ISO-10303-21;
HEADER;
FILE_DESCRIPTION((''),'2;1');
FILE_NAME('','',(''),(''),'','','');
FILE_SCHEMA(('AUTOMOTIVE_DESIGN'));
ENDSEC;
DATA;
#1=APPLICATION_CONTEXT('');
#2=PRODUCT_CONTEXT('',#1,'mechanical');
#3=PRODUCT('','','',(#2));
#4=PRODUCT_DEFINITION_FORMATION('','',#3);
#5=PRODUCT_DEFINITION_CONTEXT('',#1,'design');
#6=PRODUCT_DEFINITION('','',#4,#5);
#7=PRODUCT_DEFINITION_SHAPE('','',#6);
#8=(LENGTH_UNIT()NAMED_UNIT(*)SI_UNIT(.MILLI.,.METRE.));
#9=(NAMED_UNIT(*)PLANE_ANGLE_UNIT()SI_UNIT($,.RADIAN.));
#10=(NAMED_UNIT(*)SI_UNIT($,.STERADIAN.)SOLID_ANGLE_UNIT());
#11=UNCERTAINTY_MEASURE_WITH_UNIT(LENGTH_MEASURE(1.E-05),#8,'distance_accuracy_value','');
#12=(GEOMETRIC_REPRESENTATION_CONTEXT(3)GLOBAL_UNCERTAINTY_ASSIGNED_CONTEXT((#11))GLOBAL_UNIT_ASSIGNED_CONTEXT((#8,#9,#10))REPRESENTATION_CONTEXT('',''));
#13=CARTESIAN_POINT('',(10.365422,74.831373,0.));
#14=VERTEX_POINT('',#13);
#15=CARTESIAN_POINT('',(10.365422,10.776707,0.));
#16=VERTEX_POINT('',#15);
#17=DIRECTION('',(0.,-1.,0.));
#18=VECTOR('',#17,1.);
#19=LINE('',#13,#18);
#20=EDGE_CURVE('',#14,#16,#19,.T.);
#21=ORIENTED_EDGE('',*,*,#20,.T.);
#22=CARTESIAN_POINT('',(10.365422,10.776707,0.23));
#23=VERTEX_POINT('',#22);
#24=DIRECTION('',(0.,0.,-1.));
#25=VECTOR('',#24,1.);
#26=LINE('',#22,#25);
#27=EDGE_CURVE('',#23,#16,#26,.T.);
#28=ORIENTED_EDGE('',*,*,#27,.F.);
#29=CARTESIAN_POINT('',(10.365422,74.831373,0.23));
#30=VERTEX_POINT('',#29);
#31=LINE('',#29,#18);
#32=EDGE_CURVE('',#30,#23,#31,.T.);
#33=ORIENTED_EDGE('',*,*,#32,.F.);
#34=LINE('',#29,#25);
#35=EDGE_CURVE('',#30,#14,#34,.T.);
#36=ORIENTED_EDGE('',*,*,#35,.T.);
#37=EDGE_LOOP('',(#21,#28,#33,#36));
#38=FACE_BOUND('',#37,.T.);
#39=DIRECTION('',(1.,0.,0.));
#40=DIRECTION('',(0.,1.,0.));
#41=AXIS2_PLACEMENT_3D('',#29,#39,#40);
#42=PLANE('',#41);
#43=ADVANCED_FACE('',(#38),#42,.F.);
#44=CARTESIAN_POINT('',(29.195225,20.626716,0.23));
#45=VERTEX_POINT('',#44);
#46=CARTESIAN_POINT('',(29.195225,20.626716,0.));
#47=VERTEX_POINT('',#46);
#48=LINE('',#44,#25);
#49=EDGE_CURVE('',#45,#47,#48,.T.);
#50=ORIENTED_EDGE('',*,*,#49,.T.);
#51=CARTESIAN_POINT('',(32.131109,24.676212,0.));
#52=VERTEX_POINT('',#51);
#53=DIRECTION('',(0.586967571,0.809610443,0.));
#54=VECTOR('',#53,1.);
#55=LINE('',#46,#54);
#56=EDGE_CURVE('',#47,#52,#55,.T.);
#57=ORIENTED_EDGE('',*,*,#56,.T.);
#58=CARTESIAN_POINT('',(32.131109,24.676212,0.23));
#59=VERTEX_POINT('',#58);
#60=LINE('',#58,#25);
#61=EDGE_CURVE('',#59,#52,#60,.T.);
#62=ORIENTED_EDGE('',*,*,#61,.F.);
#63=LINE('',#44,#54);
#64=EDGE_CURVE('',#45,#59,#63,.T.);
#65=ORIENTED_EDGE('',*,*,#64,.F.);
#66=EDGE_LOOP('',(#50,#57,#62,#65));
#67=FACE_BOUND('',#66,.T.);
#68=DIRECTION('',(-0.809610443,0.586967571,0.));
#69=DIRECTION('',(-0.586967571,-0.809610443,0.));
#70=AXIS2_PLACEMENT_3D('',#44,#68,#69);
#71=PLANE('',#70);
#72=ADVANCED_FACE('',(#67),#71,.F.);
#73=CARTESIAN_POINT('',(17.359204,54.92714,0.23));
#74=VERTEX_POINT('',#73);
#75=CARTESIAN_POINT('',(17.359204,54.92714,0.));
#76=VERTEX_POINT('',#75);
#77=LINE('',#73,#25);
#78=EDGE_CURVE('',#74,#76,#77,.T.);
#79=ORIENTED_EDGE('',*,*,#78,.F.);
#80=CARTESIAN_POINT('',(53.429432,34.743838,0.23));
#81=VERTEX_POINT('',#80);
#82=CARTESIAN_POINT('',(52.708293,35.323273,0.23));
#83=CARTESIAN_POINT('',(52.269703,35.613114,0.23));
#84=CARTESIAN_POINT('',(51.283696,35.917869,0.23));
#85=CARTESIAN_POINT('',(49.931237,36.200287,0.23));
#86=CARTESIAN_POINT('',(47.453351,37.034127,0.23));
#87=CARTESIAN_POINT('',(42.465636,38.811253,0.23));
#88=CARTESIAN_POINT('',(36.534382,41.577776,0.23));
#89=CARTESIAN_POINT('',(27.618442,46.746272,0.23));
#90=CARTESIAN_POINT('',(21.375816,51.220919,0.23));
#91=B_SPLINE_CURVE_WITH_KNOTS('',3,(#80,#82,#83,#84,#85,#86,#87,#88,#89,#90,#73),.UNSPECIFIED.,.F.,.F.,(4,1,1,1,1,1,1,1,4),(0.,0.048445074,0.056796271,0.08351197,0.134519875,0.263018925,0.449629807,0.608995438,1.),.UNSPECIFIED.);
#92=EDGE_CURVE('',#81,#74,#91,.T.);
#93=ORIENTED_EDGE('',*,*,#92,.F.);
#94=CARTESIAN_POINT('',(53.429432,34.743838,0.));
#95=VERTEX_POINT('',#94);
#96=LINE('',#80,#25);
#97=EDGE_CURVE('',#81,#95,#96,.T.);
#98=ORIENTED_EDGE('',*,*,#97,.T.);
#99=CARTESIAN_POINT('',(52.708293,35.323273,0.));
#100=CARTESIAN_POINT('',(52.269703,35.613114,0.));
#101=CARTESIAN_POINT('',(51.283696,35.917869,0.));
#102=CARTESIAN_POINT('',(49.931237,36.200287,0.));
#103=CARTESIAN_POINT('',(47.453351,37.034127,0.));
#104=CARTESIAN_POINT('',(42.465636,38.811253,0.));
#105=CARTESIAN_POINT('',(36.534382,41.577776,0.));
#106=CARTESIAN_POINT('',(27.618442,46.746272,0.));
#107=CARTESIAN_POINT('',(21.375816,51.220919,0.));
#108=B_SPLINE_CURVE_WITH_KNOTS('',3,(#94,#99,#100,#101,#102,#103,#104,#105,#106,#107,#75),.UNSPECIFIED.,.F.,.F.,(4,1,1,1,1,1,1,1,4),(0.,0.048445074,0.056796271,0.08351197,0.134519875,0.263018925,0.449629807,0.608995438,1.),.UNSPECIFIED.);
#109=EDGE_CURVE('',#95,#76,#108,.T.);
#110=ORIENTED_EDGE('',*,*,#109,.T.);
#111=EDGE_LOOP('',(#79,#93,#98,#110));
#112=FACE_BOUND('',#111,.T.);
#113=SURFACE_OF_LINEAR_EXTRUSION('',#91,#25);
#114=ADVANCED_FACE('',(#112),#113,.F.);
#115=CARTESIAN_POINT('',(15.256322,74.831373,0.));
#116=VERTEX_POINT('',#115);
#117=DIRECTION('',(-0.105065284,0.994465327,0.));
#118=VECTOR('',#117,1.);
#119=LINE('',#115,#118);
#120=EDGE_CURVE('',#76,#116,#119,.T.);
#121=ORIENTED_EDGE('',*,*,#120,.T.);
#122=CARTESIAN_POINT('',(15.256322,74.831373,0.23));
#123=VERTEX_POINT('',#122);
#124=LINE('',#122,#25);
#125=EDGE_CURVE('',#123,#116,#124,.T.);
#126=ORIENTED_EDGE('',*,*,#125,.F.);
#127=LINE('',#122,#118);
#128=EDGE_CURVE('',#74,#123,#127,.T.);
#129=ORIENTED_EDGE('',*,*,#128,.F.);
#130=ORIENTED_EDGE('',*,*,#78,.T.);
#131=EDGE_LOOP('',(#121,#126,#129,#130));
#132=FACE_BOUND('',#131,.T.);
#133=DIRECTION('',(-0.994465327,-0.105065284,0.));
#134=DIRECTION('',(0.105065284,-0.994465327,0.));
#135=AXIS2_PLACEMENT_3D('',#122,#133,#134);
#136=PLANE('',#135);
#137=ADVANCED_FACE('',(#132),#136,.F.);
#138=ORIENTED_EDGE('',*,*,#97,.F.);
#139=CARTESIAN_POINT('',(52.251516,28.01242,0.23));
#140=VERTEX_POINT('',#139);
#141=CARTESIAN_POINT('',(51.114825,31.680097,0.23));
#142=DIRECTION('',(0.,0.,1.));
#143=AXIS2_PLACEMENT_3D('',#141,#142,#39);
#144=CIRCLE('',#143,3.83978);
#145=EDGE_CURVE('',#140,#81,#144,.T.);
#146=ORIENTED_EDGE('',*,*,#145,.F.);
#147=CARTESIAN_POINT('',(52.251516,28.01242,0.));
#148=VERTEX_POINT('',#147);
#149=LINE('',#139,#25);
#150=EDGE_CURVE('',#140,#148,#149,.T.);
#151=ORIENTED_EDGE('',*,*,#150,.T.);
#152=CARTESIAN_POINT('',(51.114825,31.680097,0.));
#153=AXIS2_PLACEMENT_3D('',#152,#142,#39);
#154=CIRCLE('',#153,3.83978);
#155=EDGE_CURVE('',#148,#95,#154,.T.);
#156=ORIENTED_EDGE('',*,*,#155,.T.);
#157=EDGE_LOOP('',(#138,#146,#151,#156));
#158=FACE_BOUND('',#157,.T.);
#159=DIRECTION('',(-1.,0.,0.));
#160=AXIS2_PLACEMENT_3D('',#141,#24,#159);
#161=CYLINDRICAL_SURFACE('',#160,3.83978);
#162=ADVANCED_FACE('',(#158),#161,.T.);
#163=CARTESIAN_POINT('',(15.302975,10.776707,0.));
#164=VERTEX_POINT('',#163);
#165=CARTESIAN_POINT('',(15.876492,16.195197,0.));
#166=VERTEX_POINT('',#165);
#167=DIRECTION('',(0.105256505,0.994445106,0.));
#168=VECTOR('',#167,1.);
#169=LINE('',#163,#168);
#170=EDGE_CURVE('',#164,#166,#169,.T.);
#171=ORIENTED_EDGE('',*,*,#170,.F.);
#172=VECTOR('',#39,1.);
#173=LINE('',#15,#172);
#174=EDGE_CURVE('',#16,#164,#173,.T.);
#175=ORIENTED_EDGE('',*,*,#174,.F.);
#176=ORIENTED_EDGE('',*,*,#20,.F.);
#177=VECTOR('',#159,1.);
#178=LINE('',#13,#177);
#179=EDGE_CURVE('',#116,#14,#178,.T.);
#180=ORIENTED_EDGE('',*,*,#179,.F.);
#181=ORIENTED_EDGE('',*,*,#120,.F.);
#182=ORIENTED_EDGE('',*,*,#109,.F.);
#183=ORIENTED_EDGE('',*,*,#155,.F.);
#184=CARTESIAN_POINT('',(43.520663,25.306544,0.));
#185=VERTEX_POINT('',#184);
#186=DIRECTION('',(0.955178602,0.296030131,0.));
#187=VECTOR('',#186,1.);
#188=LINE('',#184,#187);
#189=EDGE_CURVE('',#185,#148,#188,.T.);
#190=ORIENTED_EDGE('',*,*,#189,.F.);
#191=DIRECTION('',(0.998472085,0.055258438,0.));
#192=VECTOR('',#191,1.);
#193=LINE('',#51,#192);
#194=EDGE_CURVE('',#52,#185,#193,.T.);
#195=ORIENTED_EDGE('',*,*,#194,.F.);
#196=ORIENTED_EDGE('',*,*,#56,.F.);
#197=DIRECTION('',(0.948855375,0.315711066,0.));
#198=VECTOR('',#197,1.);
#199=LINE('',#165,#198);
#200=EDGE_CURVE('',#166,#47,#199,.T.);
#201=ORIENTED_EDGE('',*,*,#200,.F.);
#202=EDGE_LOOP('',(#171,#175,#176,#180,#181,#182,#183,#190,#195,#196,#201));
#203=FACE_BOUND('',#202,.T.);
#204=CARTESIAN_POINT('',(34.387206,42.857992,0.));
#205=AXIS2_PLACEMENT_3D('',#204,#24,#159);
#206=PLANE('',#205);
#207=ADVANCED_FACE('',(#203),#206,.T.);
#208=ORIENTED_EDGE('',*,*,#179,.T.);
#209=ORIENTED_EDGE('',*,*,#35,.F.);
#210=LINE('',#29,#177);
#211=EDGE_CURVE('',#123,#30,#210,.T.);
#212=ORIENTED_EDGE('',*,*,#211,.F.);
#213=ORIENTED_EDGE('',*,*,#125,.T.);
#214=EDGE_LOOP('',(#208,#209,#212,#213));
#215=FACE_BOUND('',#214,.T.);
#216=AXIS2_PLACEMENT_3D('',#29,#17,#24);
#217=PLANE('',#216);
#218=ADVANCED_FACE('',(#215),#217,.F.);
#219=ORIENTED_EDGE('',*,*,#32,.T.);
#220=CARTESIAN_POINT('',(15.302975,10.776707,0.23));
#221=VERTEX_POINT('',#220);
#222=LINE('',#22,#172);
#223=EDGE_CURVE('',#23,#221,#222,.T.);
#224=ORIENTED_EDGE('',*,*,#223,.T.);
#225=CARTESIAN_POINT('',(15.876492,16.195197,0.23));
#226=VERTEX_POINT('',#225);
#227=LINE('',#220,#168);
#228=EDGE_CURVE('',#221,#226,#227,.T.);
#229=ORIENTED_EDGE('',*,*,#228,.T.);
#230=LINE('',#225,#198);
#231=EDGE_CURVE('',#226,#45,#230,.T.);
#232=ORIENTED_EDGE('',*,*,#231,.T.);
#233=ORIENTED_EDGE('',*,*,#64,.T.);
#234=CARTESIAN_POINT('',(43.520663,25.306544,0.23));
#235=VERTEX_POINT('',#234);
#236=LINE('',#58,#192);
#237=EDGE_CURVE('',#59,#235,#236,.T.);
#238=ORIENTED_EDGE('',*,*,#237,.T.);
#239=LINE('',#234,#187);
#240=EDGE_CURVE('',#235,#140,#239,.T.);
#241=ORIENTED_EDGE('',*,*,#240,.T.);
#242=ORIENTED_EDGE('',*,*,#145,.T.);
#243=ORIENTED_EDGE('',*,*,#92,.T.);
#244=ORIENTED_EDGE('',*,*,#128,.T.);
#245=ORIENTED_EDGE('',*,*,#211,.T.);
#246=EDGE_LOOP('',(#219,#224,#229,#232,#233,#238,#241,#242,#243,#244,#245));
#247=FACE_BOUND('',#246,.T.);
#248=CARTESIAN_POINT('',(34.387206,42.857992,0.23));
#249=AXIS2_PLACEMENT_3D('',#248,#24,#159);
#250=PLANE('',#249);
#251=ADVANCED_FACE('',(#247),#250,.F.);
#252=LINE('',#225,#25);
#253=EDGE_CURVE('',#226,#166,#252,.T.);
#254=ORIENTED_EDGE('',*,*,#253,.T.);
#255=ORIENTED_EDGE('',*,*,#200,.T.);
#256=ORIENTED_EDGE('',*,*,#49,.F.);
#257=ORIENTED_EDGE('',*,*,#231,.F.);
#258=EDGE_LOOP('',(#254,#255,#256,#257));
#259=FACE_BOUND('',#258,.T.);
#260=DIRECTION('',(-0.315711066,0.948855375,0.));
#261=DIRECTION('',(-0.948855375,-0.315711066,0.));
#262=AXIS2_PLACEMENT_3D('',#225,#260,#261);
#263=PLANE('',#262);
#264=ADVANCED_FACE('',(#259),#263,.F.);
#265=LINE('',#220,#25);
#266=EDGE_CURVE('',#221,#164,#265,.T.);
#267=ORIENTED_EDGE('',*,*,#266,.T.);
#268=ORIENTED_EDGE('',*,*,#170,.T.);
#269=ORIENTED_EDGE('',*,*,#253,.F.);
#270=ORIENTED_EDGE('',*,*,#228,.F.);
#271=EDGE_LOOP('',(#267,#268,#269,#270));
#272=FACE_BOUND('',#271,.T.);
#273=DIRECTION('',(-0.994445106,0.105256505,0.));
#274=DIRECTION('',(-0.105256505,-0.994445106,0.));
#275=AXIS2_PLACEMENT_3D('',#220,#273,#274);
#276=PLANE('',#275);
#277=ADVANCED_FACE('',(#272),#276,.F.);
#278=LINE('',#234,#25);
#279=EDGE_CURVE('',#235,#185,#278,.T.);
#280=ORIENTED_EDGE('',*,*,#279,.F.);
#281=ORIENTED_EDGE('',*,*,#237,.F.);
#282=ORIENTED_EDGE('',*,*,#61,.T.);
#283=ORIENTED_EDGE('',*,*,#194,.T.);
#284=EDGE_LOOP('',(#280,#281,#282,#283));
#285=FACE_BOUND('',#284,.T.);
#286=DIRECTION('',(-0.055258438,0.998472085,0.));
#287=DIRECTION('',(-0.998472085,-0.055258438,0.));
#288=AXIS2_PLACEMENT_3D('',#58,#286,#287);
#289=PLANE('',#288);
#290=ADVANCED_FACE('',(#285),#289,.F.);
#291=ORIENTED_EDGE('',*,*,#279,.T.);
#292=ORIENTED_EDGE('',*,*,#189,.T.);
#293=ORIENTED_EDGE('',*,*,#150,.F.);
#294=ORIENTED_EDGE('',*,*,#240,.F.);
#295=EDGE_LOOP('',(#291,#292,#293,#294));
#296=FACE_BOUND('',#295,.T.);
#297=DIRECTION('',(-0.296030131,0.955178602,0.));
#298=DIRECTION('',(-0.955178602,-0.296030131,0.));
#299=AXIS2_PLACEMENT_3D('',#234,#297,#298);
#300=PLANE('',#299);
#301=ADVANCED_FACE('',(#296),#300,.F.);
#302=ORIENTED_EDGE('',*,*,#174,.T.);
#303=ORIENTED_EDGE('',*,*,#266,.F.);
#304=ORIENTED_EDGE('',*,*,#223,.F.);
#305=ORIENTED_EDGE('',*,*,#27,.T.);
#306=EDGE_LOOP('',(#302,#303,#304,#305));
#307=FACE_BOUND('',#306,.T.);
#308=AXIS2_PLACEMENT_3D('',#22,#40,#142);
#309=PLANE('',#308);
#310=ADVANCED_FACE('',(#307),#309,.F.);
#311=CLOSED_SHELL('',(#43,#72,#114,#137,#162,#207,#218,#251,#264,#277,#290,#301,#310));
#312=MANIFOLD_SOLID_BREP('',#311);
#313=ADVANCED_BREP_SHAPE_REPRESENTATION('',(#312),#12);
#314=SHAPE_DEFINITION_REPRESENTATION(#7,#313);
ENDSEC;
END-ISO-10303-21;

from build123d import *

# Parameters (mm, degrees)
ESTRUSIONE_ESTRUSIONE1_DEPTH = 0.23


with BuildPart() as part:
    # Schizzo1 → Estrusione-Estrusione1 (new body)
    with BuildSketch(Plane.XY):
        with BuildLine():
            Line((10.365422141, 74.831373189), (10.365422141, 10.776707028))
            Line((10.365422141, 10.776707028), (15.302975319, 10.776707028))
            Line((15.302975319, 10.776707028), (15.876492425, 16.195196671))
            Line((15.876492425, 16.195196671), (29.195225145, 20.626716392))
            Line((29.195225145, 20.626716392), (32.131109214, 24.67621166))
            Line((32.131109214, 24.67621166), (43.520662662, 25.30654369))
            Line((43.520662662, 25.30654369), (52.251515817, 28.012420469))
            ThreePointArc((52.251515817, 28.012420469), (54.897133641, 31.018238504), (53.429432122, 34.743837514))
            add(Edge.make_bspline(
                [(17.359204401, 54.927140115), (21.375816351, 51.220919189), (27.618442159, 46.746271927), (36.534382122, 41.577775958), (42.465635871, 38.811252867), (47.453351059, 37.034127022), (49.931237279, 36.200286751), (51.283695675, 35.917869324), (52.269703163, 35.613114476), (52.708293272, 35.323272886), (53.429432122, 34.743837514)],
                knots=[0, 0, 0, 0, 0.391004562, 0.550370193, 0.736981075, 0.865480125, 0.91648803, 0.943203729, 0.951554926, 1, 1, 1, 1], degree=3))
            Line((17.359204401, 54.927140115), (15.256321742, 74.831373189))
            Line((15.256321742, 74.831373189), (10.365422141, 74.831373189))
        make_face()
    extrude(amount=ESTRUSIONE_ESTRUSIONE1_DEPTH)


solid = part.part
